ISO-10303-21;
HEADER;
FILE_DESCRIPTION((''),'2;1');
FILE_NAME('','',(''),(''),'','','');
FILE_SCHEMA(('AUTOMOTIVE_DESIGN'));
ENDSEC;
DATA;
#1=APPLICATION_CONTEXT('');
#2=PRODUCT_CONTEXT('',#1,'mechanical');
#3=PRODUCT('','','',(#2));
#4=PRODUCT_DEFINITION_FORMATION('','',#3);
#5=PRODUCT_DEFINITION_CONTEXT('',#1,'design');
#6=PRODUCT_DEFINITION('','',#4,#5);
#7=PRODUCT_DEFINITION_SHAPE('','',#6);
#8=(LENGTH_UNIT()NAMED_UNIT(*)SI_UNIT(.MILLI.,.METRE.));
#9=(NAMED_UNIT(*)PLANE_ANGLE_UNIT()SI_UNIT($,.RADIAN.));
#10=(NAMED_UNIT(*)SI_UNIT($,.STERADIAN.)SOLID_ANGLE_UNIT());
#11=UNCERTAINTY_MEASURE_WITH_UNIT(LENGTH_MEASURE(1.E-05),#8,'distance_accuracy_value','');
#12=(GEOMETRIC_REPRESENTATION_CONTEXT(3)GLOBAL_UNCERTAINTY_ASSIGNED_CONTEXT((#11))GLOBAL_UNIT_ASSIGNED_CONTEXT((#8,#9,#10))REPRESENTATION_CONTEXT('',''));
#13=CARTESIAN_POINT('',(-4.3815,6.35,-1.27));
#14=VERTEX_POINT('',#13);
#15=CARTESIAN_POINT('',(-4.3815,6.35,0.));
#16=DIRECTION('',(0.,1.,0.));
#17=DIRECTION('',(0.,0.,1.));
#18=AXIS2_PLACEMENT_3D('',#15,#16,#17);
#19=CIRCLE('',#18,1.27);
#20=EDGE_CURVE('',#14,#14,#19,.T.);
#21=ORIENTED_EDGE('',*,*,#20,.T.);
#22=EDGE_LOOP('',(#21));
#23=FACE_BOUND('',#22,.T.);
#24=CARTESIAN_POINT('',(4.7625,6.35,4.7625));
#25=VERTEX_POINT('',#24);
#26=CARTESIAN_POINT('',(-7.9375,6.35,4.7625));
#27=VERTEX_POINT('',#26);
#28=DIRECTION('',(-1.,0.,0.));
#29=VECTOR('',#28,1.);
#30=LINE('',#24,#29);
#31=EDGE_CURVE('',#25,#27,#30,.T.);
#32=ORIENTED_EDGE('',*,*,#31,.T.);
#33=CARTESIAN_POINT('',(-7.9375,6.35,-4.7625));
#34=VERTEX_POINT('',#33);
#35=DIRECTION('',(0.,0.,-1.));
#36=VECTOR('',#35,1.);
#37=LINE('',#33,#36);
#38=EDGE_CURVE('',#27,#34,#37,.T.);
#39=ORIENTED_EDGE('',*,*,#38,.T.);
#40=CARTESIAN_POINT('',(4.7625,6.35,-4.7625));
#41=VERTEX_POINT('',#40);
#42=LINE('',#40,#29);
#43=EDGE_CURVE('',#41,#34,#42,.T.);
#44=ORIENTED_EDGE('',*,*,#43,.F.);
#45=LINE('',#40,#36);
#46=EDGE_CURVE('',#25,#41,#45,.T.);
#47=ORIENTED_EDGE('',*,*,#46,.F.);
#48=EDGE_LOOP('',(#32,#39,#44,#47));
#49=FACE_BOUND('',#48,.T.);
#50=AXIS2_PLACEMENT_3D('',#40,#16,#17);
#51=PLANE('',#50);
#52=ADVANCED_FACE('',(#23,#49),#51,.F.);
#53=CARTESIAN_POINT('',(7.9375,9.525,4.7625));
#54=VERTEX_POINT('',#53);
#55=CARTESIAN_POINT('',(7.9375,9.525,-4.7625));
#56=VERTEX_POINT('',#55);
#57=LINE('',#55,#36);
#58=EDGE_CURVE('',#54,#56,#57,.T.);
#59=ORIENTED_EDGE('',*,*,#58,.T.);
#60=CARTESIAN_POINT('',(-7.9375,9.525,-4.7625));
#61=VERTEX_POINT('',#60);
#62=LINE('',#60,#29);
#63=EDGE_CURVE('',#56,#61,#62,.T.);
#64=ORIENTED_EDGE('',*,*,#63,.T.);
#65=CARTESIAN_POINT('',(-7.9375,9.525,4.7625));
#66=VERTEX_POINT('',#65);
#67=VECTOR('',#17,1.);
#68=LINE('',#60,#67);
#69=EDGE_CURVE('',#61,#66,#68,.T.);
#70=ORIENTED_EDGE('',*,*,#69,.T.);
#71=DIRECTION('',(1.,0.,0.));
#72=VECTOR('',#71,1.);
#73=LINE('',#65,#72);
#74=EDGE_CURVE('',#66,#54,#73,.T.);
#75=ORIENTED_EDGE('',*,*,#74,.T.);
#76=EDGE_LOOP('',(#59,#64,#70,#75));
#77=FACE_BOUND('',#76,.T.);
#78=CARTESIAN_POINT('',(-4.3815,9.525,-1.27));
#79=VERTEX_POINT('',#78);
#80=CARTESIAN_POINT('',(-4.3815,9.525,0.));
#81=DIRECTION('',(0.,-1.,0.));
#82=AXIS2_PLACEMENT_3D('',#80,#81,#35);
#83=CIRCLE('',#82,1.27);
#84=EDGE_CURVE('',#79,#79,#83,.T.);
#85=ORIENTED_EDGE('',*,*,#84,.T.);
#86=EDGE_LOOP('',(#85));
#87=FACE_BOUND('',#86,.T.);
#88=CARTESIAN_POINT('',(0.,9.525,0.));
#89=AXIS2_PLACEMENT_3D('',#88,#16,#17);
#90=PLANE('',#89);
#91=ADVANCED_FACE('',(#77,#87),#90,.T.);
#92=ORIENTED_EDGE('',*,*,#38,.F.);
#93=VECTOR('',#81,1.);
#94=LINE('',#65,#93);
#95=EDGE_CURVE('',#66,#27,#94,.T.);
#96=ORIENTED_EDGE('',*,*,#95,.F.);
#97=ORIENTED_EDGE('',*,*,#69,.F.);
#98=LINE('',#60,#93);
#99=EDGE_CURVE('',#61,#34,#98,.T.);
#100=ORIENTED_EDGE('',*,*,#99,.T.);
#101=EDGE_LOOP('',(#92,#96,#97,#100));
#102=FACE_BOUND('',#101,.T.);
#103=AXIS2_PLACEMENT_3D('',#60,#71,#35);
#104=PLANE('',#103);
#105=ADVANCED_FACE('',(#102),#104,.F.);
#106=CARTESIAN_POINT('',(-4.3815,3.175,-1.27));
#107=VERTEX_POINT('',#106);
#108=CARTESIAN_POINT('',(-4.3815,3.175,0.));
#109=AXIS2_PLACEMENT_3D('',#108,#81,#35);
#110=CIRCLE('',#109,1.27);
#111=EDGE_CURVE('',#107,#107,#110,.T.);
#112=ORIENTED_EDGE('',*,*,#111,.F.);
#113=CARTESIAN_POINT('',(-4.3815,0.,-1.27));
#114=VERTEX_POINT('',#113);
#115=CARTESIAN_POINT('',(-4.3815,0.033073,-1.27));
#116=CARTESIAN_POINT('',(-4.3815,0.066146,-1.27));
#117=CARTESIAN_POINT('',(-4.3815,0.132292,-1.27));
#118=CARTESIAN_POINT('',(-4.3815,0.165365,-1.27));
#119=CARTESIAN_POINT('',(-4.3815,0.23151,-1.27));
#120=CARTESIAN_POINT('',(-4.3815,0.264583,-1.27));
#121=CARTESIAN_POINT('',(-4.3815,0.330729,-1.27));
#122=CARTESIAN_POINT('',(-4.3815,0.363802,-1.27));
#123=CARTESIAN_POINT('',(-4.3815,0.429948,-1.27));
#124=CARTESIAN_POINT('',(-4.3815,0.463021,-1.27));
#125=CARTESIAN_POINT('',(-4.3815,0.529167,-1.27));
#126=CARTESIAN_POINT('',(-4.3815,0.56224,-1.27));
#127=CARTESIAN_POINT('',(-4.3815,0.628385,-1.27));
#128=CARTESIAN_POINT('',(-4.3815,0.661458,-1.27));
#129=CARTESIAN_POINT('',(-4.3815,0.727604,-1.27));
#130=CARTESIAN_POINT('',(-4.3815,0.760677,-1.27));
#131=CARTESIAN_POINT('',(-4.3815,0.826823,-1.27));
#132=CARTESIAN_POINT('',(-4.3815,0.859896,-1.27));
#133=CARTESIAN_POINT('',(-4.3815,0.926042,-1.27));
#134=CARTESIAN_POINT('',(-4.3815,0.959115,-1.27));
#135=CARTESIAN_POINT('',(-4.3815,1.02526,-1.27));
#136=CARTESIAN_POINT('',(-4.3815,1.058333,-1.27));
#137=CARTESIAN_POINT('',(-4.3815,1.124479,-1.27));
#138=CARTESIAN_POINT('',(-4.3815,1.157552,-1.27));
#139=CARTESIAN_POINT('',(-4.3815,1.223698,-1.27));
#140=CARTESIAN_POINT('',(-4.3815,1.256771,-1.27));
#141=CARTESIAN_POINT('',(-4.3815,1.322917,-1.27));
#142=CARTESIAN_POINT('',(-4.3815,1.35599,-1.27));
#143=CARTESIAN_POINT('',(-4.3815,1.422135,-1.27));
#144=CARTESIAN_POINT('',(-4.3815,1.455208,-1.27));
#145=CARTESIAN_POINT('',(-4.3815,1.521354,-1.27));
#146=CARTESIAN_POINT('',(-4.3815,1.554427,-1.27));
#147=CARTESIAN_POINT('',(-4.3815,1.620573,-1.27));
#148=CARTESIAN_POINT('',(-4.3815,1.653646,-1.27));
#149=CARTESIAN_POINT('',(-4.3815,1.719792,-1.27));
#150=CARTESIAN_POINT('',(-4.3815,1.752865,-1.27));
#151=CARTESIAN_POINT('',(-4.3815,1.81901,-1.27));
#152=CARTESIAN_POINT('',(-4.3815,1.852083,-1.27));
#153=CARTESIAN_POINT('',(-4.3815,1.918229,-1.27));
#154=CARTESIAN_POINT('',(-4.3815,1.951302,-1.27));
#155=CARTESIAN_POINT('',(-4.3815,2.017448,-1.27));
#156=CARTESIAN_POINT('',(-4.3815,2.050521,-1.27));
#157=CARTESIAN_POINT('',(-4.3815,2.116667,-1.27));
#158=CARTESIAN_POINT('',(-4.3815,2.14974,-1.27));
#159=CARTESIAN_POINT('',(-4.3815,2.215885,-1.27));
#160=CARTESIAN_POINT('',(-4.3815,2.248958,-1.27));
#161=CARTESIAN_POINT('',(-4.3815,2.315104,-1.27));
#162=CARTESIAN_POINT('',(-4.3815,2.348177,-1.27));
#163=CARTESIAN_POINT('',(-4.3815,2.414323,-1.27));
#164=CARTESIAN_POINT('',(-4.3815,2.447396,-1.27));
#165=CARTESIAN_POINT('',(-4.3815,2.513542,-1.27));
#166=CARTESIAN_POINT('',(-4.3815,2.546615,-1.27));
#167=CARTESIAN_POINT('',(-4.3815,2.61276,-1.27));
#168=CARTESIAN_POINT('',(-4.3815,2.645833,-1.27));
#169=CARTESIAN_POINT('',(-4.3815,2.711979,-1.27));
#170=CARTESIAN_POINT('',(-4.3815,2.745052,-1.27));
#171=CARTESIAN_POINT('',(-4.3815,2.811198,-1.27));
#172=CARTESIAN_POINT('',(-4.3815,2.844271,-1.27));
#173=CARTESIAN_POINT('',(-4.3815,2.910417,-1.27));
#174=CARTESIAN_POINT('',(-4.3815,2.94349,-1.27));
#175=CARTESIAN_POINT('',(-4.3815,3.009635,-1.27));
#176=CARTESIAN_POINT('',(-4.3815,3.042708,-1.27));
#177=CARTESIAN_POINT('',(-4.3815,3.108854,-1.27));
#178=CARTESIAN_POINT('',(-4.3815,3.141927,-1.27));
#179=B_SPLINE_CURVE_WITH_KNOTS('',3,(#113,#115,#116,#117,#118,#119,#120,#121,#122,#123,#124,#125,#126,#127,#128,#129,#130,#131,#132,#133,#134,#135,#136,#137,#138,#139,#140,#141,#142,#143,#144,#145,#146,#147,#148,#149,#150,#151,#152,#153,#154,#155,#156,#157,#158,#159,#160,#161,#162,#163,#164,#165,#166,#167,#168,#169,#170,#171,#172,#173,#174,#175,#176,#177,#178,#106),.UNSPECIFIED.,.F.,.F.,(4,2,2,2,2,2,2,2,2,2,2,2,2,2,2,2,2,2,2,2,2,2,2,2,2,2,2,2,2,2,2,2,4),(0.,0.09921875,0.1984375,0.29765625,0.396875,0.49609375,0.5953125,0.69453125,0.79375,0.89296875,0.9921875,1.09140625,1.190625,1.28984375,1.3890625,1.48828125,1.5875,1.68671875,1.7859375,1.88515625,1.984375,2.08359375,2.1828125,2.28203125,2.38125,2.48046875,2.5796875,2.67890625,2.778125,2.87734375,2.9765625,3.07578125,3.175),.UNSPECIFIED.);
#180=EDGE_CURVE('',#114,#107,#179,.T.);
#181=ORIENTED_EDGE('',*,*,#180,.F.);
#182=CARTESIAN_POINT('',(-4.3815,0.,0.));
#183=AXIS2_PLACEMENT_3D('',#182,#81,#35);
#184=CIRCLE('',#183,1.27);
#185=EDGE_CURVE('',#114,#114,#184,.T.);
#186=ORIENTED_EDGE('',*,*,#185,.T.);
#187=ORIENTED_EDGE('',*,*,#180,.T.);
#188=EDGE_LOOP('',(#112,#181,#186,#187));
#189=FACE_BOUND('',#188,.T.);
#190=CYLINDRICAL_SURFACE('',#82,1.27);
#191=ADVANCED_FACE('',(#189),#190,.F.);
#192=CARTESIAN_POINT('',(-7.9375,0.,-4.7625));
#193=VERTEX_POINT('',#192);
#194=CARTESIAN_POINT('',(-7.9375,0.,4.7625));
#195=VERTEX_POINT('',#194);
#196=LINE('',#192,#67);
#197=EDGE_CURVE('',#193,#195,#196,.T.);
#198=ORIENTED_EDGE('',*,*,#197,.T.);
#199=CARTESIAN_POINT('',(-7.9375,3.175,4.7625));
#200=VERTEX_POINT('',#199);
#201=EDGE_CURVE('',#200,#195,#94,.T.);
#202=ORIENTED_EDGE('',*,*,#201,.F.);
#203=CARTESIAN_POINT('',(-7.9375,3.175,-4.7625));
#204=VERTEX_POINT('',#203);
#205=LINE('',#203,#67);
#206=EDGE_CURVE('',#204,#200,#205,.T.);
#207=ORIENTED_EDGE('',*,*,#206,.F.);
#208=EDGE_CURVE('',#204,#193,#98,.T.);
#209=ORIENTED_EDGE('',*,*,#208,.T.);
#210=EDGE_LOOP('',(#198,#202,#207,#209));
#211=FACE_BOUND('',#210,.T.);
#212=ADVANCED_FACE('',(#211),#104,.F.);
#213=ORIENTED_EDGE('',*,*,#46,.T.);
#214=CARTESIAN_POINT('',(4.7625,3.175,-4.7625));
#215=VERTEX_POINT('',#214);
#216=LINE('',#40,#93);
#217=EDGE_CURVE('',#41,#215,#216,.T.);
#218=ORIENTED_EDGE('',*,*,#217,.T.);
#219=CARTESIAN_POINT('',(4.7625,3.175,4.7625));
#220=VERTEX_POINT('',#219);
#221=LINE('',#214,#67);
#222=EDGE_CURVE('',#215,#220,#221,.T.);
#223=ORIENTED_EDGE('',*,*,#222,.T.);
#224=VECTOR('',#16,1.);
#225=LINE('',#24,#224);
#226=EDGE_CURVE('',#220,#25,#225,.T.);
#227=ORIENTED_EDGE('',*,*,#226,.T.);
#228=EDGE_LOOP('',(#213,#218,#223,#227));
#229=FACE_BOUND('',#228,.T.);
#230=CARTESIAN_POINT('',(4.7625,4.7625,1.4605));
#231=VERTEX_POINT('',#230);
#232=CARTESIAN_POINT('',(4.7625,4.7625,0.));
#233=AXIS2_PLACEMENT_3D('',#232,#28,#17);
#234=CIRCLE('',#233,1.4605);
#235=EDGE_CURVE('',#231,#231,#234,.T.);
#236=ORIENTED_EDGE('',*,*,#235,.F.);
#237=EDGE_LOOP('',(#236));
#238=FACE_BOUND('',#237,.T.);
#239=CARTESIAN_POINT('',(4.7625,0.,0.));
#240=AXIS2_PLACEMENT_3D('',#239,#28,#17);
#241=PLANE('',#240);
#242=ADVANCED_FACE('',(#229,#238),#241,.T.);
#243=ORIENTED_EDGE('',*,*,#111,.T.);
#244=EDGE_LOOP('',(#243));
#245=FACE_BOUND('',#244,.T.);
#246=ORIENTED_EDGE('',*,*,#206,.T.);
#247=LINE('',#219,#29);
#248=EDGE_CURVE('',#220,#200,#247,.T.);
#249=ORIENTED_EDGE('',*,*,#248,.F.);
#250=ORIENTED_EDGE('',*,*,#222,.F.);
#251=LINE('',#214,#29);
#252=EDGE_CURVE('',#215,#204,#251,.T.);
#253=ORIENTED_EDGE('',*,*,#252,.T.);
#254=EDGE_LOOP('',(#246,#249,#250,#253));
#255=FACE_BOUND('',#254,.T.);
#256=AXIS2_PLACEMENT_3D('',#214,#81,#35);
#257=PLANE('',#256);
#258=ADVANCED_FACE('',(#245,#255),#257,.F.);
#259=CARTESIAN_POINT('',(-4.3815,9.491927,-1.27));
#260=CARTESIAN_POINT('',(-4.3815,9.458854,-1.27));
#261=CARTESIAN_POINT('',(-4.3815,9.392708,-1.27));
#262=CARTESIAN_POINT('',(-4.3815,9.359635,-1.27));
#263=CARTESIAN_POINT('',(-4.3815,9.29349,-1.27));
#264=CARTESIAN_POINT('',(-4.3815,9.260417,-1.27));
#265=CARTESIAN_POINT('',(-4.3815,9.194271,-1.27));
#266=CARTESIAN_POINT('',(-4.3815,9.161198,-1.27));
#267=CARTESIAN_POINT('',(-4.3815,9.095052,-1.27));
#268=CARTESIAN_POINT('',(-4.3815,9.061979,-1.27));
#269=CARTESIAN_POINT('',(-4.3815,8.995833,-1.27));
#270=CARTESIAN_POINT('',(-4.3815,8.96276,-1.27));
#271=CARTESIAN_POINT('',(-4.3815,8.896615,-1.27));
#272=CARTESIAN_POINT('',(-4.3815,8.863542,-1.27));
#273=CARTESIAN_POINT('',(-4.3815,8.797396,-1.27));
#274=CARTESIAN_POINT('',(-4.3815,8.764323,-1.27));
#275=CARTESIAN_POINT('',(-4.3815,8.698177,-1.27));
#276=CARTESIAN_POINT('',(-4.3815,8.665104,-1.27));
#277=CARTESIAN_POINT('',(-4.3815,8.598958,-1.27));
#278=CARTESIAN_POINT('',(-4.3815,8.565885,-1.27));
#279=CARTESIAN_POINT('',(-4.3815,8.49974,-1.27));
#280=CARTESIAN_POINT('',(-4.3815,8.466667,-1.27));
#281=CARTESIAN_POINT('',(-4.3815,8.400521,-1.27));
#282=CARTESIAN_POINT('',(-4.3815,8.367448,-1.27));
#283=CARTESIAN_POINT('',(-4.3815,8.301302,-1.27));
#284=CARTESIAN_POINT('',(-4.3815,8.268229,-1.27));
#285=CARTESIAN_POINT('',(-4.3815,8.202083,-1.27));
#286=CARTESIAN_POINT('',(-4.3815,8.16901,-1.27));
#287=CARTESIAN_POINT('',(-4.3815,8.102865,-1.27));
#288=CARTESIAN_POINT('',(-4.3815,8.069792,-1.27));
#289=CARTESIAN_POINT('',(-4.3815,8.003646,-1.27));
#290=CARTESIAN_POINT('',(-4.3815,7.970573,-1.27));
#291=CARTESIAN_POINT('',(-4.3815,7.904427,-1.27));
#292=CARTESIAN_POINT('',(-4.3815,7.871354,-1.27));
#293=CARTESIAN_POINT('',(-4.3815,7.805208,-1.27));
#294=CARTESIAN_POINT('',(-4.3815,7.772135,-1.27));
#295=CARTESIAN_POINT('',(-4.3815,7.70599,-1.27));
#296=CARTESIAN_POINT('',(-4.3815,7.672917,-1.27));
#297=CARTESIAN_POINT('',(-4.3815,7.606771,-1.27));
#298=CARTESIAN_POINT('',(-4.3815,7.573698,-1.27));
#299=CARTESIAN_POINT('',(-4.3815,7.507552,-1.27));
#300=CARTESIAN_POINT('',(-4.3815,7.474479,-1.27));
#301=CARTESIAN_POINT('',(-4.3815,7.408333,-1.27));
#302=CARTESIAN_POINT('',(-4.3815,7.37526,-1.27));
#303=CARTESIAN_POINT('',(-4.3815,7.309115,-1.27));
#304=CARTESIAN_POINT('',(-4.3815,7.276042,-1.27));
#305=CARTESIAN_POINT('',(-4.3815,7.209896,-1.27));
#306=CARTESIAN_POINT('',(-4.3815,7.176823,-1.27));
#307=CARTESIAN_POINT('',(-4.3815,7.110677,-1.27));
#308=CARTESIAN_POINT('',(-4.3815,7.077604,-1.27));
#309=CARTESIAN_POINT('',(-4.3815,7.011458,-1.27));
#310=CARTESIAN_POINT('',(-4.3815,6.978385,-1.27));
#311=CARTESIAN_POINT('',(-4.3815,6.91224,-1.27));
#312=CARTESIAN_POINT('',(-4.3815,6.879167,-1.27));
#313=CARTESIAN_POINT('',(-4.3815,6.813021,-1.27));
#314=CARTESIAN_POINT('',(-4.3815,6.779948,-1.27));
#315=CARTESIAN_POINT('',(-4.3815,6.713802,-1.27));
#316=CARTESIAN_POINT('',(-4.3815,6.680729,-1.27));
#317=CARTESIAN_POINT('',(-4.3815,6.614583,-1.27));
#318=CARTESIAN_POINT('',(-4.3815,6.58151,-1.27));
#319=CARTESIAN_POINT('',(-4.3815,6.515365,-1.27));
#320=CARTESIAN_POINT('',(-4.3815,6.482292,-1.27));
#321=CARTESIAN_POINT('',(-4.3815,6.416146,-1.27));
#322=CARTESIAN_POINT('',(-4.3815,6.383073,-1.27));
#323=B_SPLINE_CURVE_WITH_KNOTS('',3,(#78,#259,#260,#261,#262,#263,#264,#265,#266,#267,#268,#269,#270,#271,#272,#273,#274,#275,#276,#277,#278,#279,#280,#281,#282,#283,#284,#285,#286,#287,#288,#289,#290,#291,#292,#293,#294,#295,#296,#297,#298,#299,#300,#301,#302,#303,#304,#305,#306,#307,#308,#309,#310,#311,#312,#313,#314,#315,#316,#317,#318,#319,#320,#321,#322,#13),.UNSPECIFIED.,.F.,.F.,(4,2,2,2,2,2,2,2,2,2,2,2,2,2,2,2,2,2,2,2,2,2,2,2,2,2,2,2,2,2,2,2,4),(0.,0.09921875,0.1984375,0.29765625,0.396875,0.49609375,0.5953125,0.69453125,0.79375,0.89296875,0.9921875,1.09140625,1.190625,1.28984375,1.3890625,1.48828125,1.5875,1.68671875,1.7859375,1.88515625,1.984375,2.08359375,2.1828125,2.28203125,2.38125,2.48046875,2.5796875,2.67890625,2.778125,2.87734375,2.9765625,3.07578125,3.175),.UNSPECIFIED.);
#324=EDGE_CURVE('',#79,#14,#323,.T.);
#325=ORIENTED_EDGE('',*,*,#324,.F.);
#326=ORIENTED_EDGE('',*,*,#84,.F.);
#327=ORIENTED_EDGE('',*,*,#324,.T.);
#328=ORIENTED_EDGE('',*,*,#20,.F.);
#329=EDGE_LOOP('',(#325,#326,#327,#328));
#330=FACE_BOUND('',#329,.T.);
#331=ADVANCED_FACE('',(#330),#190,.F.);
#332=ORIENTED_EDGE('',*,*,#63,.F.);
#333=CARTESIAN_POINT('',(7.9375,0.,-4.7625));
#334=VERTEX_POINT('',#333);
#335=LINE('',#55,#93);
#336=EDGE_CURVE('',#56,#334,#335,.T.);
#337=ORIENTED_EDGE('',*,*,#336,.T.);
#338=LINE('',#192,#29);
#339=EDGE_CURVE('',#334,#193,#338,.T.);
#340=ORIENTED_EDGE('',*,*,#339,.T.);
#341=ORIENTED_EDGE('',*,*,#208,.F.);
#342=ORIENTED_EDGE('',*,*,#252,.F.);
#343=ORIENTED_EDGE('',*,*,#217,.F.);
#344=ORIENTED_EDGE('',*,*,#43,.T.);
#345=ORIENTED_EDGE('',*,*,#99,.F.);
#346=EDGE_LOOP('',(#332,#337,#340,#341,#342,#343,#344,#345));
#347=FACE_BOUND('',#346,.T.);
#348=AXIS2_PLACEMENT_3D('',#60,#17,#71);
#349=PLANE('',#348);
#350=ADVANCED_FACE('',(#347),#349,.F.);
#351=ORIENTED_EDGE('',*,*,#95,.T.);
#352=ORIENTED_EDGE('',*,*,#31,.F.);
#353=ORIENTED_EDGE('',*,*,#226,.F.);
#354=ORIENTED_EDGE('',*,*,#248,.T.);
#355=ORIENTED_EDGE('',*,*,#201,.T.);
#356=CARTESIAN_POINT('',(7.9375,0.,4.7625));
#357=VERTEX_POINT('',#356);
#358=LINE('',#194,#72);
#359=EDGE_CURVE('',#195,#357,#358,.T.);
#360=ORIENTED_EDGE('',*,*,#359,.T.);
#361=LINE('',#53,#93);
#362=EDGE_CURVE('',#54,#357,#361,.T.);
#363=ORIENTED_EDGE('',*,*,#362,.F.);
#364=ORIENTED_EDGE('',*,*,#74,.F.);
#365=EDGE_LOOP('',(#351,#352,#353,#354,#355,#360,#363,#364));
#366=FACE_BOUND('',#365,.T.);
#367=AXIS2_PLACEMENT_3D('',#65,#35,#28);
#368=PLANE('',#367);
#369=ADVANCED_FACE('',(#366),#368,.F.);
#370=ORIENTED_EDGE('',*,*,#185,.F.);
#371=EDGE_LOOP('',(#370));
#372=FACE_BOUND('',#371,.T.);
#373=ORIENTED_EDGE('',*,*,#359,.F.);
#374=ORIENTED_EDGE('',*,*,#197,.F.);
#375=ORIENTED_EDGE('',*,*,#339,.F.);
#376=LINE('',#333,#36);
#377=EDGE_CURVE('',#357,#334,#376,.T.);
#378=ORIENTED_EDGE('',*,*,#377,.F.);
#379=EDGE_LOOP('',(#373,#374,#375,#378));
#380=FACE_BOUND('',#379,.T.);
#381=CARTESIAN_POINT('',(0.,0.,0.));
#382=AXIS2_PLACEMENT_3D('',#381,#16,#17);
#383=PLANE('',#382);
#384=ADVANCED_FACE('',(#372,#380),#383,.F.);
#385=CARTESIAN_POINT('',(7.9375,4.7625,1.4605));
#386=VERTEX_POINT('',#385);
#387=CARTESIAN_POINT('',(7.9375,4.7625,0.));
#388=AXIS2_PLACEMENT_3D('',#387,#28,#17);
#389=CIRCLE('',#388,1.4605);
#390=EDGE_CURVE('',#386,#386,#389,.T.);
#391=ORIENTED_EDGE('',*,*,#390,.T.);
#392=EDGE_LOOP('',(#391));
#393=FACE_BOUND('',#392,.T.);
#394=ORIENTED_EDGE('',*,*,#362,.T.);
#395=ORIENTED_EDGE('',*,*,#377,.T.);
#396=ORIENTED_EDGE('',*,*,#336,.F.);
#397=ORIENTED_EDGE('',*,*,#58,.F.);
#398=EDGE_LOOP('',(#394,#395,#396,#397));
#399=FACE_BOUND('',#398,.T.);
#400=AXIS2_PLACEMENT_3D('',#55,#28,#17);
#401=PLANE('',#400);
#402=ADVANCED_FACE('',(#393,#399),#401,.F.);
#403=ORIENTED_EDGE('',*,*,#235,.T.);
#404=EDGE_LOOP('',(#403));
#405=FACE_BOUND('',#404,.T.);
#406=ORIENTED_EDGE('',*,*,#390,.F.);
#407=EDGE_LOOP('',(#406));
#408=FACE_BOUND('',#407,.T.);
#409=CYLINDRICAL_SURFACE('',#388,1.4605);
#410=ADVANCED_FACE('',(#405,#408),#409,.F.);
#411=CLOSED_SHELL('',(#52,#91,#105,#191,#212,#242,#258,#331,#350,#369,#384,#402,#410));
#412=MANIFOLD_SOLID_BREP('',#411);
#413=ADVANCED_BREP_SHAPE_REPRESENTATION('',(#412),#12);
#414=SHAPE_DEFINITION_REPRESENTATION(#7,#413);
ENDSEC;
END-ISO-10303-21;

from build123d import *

# Parameters (mm, degrees)
SKETCH1_W           = 15.875
SKETCH1_H           = 9.525
BOSS_EXTRUDE1_DEPTH = 9.525
SKETCH2_W           = 9.525
SKETCH2_H           = 3.175
CUT_EXTRUDE1_DEPTH  = 12.7
SKETCH3_R           = 1.27
CUT_EXTRUDE2_DEPTH  = 9.525
SKETCH4_R           = 1.4605
CUT_EXTRUDE3_DEPTH  = 3.175


with BuildPart() as part:
    # Sketch1 → Boss-Extrude1 (new body)
    with BuildSketch(Plane(origin=(0, 0, 0), x_dir=(1, 0, 0), z_dir=(0, 1, 0))):
        Rectangle(SKETCH1_W, SKETCH1_H)
    extrude(amount=BOSS_EXTRUDE1_DEPTH)

    # Sketch2 → Cut-Extrude1 (cut)
    with BuildSketch(Plane.ZY.offset(7.9375)):
        with Locations((0, 4.7625)):
            Rectangle(SKETCH2_W, SKETCH2_H)
    extrude(amount=-CUT_EXTRUDE1_DEPTH, mode=Mode.SUBTRACT)

    # Sketch3 → Cut-Extrude2 (cut)
    with BuildSketch(Plane.XZ):
        with Locations(Location((-4.3815, 0, 0), (0, 0, 270))):
            Circle(SKETCH3_R)
    extrude(amount=-CUT_EXTRUDE2_DEPTH, mode=Mode.SUBTRACT)

    # Sketch4 → Cut-Extrude3 (cut)
    with BuildSketch(Plane.ZY.offset(-4.7625)):
        with Locations((0, 4.7625)):
            Circle(SKETCH4_R)
    extrude(amount=-CUT_EXTRUDE3_DEPTH, mode=Mode.SUBTRACT)


solid = part.part
